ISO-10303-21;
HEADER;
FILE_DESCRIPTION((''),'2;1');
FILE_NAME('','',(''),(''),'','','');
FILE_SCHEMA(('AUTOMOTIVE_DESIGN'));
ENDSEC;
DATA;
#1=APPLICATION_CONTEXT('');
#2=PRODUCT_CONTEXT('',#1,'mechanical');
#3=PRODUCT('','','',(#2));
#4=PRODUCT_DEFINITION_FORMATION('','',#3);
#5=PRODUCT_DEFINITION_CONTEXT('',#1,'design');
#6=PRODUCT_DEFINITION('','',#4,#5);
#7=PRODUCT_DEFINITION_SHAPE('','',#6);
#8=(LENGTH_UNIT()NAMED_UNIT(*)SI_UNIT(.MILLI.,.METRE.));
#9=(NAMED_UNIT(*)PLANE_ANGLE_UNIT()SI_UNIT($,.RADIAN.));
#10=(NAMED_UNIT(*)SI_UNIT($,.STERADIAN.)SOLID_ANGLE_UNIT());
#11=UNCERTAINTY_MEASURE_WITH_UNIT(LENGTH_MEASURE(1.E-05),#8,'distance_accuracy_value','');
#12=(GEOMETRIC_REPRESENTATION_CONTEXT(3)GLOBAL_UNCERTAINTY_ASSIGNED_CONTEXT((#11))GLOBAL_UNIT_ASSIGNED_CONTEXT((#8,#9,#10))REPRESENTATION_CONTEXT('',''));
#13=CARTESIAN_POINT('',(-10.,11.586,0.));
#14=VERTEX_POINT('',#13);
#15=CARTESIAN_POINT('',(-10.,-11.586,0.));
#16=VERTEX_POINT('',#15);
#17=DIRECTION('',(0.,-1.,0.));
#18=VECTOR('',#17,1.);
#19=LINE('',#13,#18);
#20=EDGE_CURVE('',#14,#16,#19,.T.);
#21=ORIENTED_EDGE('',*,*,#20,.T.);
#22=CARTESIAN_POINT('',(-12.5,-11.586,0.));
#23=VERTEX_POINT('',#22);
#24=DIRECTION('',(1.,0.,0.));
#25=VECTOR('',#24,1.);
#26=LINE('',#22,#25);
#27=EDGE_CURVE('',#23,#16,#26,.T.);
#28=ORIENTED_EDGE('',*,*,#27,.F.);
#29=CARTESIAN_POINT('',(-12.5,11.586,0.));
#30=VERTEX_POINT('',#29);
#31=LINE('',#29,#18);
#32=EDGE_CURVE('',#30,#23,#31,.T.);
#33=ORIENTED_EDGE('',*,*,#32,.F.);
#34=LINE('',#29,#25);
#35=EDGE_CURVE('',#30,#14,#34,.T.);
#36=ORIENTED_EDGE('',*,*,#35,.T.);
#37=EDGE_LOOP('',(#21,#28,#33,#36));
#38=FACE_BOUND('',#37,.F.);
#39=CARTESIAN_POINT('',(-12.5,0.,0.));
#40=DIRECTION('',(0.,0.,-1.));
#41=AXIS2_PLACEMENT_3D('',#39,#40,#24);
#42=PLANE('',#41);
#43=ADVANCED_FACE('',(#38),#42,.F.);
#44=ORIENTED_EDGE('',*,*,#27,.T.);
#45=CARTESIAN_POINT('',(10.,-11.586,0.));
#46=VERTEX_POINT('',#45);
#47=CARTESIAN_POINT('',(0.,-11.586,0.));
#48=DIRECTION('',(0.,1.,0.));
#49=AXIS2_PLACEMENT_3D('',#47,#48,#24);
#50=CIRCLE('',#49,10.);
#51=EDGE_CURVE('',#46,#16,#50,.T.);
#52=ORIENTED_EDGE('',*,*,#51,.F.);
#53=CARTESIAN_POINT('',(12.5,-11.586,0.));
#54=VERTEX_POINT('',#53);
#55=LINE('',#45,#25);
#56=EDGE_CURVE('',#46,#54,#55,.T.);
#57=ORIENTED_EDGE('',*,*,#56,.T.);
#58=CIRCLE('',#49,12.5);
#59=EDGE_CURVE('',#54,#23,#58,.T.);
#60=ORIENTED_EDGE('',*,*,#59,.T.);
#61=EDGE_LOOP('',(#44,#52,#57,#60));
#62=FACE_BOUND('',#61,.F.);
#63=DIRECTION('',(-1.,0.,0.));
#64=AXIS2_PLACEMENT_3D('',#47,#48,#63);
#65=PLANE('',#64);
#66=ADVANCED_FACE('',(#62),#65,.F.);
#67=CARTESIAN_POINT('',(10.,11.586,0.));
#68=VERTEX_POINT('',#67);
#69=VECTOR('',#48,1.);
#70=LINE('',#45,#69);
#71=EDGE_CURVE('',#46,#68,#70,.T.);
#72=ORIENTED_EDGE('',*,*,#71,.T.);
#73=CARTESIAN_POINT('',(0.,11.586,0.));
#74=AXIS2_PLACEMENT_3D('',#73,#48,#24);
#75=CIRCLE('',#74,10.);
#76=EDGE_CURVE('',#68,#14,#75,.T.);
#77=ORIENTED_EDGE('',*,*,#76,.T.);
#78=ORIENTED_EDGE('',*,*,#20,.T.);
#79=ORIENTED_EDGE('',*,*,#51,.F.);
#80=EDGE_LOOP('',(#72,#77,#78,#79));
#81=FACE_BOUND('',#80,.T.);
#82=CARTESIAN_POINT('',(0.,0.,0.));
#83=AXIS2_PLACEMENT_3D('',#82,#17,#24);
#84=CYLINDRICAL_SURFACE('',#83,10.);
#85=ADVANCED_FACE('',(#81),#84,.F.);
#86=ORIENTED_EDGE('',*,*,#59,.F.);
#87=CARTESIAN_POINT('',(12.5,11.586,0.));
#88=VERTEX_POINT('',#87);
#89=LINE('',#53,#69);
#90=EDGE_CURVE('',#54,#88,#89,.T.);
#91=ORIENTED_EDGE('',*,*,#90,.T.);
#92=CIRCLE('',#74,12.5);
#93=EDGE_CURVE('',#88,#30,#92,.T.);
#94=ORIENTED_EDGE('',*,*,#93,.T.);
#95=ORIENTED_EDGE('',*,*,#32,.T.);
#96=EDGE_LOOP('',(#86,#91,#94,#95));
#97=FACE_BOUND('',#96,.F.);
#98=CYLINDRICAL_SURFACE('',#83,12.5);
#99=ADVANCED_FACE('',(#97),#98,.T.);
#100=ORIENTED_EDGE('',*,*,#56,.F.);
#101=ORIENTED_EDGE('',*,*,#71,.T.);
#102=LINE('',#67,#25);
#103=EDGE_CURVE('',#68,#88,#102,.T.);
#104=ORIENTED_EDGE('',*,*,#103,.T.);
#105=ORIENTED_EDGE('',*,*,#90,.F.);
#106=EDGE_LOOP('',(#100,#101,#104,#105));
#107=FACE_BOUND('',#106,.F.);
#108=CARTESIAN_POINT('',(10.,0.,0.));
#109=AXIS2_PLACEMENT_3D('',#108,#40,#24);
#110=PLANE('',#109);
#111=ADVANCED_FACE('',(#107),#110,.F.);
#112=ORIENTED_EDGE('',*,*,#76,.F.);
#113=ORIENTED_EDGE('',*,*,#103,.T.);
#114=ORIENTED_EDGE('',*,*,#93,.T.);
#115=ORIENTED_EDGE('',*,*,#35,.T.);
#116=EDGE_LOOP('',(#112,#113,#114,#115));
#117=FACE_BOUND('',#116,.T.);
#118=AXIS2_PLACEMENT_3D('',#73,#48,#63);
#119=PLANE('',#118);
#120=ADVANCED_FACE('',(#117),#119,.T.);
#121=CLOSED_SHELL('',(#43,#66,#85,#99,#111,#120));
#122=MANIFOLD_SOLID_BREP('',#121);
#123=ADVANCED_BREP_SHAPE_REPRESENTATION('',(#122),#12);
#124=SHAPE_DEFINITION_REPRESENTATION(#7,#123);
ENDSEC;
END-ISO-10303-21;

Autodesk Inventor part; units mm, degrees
ref_plane "YZ Plane" through (0, 0, 0) normal (1, 0, 0) x (0, 1, 0)
ref_plane "XZ Plane" through (0, 0, 0) normal (0, 1, 0) x (-1, 0, 0)
ref_plane "XY Plane" through (0, 0, 0) normal (0, 0, 1) x (1, 0, 0)
sketch "Sketch1" plane through (0, 0, 0) normal (0, 1, 0) x (-1, 0, 0)
  arc A0 (-10, 0) -> (10, 0) centre (0, 0) ccw
  arc A1 (-12.5, 0) -> (12.5, 0) centre (0, 0) ccw
  line L0 (12.5, 0) -> (10, 0)
  line L1 (-10, 0) -> (-12.5, 0)
  line L2 (10, 0) -> (-10, 0)
  dimension "d0" = 20
  dimension "d1" = 25
extrude "Extrusion1" add sketch "Sketch1" along normal mid plane 23.172 contours A0 L0 A1 L1
properties part number "Panewka wałka rozrzadu koniec"
